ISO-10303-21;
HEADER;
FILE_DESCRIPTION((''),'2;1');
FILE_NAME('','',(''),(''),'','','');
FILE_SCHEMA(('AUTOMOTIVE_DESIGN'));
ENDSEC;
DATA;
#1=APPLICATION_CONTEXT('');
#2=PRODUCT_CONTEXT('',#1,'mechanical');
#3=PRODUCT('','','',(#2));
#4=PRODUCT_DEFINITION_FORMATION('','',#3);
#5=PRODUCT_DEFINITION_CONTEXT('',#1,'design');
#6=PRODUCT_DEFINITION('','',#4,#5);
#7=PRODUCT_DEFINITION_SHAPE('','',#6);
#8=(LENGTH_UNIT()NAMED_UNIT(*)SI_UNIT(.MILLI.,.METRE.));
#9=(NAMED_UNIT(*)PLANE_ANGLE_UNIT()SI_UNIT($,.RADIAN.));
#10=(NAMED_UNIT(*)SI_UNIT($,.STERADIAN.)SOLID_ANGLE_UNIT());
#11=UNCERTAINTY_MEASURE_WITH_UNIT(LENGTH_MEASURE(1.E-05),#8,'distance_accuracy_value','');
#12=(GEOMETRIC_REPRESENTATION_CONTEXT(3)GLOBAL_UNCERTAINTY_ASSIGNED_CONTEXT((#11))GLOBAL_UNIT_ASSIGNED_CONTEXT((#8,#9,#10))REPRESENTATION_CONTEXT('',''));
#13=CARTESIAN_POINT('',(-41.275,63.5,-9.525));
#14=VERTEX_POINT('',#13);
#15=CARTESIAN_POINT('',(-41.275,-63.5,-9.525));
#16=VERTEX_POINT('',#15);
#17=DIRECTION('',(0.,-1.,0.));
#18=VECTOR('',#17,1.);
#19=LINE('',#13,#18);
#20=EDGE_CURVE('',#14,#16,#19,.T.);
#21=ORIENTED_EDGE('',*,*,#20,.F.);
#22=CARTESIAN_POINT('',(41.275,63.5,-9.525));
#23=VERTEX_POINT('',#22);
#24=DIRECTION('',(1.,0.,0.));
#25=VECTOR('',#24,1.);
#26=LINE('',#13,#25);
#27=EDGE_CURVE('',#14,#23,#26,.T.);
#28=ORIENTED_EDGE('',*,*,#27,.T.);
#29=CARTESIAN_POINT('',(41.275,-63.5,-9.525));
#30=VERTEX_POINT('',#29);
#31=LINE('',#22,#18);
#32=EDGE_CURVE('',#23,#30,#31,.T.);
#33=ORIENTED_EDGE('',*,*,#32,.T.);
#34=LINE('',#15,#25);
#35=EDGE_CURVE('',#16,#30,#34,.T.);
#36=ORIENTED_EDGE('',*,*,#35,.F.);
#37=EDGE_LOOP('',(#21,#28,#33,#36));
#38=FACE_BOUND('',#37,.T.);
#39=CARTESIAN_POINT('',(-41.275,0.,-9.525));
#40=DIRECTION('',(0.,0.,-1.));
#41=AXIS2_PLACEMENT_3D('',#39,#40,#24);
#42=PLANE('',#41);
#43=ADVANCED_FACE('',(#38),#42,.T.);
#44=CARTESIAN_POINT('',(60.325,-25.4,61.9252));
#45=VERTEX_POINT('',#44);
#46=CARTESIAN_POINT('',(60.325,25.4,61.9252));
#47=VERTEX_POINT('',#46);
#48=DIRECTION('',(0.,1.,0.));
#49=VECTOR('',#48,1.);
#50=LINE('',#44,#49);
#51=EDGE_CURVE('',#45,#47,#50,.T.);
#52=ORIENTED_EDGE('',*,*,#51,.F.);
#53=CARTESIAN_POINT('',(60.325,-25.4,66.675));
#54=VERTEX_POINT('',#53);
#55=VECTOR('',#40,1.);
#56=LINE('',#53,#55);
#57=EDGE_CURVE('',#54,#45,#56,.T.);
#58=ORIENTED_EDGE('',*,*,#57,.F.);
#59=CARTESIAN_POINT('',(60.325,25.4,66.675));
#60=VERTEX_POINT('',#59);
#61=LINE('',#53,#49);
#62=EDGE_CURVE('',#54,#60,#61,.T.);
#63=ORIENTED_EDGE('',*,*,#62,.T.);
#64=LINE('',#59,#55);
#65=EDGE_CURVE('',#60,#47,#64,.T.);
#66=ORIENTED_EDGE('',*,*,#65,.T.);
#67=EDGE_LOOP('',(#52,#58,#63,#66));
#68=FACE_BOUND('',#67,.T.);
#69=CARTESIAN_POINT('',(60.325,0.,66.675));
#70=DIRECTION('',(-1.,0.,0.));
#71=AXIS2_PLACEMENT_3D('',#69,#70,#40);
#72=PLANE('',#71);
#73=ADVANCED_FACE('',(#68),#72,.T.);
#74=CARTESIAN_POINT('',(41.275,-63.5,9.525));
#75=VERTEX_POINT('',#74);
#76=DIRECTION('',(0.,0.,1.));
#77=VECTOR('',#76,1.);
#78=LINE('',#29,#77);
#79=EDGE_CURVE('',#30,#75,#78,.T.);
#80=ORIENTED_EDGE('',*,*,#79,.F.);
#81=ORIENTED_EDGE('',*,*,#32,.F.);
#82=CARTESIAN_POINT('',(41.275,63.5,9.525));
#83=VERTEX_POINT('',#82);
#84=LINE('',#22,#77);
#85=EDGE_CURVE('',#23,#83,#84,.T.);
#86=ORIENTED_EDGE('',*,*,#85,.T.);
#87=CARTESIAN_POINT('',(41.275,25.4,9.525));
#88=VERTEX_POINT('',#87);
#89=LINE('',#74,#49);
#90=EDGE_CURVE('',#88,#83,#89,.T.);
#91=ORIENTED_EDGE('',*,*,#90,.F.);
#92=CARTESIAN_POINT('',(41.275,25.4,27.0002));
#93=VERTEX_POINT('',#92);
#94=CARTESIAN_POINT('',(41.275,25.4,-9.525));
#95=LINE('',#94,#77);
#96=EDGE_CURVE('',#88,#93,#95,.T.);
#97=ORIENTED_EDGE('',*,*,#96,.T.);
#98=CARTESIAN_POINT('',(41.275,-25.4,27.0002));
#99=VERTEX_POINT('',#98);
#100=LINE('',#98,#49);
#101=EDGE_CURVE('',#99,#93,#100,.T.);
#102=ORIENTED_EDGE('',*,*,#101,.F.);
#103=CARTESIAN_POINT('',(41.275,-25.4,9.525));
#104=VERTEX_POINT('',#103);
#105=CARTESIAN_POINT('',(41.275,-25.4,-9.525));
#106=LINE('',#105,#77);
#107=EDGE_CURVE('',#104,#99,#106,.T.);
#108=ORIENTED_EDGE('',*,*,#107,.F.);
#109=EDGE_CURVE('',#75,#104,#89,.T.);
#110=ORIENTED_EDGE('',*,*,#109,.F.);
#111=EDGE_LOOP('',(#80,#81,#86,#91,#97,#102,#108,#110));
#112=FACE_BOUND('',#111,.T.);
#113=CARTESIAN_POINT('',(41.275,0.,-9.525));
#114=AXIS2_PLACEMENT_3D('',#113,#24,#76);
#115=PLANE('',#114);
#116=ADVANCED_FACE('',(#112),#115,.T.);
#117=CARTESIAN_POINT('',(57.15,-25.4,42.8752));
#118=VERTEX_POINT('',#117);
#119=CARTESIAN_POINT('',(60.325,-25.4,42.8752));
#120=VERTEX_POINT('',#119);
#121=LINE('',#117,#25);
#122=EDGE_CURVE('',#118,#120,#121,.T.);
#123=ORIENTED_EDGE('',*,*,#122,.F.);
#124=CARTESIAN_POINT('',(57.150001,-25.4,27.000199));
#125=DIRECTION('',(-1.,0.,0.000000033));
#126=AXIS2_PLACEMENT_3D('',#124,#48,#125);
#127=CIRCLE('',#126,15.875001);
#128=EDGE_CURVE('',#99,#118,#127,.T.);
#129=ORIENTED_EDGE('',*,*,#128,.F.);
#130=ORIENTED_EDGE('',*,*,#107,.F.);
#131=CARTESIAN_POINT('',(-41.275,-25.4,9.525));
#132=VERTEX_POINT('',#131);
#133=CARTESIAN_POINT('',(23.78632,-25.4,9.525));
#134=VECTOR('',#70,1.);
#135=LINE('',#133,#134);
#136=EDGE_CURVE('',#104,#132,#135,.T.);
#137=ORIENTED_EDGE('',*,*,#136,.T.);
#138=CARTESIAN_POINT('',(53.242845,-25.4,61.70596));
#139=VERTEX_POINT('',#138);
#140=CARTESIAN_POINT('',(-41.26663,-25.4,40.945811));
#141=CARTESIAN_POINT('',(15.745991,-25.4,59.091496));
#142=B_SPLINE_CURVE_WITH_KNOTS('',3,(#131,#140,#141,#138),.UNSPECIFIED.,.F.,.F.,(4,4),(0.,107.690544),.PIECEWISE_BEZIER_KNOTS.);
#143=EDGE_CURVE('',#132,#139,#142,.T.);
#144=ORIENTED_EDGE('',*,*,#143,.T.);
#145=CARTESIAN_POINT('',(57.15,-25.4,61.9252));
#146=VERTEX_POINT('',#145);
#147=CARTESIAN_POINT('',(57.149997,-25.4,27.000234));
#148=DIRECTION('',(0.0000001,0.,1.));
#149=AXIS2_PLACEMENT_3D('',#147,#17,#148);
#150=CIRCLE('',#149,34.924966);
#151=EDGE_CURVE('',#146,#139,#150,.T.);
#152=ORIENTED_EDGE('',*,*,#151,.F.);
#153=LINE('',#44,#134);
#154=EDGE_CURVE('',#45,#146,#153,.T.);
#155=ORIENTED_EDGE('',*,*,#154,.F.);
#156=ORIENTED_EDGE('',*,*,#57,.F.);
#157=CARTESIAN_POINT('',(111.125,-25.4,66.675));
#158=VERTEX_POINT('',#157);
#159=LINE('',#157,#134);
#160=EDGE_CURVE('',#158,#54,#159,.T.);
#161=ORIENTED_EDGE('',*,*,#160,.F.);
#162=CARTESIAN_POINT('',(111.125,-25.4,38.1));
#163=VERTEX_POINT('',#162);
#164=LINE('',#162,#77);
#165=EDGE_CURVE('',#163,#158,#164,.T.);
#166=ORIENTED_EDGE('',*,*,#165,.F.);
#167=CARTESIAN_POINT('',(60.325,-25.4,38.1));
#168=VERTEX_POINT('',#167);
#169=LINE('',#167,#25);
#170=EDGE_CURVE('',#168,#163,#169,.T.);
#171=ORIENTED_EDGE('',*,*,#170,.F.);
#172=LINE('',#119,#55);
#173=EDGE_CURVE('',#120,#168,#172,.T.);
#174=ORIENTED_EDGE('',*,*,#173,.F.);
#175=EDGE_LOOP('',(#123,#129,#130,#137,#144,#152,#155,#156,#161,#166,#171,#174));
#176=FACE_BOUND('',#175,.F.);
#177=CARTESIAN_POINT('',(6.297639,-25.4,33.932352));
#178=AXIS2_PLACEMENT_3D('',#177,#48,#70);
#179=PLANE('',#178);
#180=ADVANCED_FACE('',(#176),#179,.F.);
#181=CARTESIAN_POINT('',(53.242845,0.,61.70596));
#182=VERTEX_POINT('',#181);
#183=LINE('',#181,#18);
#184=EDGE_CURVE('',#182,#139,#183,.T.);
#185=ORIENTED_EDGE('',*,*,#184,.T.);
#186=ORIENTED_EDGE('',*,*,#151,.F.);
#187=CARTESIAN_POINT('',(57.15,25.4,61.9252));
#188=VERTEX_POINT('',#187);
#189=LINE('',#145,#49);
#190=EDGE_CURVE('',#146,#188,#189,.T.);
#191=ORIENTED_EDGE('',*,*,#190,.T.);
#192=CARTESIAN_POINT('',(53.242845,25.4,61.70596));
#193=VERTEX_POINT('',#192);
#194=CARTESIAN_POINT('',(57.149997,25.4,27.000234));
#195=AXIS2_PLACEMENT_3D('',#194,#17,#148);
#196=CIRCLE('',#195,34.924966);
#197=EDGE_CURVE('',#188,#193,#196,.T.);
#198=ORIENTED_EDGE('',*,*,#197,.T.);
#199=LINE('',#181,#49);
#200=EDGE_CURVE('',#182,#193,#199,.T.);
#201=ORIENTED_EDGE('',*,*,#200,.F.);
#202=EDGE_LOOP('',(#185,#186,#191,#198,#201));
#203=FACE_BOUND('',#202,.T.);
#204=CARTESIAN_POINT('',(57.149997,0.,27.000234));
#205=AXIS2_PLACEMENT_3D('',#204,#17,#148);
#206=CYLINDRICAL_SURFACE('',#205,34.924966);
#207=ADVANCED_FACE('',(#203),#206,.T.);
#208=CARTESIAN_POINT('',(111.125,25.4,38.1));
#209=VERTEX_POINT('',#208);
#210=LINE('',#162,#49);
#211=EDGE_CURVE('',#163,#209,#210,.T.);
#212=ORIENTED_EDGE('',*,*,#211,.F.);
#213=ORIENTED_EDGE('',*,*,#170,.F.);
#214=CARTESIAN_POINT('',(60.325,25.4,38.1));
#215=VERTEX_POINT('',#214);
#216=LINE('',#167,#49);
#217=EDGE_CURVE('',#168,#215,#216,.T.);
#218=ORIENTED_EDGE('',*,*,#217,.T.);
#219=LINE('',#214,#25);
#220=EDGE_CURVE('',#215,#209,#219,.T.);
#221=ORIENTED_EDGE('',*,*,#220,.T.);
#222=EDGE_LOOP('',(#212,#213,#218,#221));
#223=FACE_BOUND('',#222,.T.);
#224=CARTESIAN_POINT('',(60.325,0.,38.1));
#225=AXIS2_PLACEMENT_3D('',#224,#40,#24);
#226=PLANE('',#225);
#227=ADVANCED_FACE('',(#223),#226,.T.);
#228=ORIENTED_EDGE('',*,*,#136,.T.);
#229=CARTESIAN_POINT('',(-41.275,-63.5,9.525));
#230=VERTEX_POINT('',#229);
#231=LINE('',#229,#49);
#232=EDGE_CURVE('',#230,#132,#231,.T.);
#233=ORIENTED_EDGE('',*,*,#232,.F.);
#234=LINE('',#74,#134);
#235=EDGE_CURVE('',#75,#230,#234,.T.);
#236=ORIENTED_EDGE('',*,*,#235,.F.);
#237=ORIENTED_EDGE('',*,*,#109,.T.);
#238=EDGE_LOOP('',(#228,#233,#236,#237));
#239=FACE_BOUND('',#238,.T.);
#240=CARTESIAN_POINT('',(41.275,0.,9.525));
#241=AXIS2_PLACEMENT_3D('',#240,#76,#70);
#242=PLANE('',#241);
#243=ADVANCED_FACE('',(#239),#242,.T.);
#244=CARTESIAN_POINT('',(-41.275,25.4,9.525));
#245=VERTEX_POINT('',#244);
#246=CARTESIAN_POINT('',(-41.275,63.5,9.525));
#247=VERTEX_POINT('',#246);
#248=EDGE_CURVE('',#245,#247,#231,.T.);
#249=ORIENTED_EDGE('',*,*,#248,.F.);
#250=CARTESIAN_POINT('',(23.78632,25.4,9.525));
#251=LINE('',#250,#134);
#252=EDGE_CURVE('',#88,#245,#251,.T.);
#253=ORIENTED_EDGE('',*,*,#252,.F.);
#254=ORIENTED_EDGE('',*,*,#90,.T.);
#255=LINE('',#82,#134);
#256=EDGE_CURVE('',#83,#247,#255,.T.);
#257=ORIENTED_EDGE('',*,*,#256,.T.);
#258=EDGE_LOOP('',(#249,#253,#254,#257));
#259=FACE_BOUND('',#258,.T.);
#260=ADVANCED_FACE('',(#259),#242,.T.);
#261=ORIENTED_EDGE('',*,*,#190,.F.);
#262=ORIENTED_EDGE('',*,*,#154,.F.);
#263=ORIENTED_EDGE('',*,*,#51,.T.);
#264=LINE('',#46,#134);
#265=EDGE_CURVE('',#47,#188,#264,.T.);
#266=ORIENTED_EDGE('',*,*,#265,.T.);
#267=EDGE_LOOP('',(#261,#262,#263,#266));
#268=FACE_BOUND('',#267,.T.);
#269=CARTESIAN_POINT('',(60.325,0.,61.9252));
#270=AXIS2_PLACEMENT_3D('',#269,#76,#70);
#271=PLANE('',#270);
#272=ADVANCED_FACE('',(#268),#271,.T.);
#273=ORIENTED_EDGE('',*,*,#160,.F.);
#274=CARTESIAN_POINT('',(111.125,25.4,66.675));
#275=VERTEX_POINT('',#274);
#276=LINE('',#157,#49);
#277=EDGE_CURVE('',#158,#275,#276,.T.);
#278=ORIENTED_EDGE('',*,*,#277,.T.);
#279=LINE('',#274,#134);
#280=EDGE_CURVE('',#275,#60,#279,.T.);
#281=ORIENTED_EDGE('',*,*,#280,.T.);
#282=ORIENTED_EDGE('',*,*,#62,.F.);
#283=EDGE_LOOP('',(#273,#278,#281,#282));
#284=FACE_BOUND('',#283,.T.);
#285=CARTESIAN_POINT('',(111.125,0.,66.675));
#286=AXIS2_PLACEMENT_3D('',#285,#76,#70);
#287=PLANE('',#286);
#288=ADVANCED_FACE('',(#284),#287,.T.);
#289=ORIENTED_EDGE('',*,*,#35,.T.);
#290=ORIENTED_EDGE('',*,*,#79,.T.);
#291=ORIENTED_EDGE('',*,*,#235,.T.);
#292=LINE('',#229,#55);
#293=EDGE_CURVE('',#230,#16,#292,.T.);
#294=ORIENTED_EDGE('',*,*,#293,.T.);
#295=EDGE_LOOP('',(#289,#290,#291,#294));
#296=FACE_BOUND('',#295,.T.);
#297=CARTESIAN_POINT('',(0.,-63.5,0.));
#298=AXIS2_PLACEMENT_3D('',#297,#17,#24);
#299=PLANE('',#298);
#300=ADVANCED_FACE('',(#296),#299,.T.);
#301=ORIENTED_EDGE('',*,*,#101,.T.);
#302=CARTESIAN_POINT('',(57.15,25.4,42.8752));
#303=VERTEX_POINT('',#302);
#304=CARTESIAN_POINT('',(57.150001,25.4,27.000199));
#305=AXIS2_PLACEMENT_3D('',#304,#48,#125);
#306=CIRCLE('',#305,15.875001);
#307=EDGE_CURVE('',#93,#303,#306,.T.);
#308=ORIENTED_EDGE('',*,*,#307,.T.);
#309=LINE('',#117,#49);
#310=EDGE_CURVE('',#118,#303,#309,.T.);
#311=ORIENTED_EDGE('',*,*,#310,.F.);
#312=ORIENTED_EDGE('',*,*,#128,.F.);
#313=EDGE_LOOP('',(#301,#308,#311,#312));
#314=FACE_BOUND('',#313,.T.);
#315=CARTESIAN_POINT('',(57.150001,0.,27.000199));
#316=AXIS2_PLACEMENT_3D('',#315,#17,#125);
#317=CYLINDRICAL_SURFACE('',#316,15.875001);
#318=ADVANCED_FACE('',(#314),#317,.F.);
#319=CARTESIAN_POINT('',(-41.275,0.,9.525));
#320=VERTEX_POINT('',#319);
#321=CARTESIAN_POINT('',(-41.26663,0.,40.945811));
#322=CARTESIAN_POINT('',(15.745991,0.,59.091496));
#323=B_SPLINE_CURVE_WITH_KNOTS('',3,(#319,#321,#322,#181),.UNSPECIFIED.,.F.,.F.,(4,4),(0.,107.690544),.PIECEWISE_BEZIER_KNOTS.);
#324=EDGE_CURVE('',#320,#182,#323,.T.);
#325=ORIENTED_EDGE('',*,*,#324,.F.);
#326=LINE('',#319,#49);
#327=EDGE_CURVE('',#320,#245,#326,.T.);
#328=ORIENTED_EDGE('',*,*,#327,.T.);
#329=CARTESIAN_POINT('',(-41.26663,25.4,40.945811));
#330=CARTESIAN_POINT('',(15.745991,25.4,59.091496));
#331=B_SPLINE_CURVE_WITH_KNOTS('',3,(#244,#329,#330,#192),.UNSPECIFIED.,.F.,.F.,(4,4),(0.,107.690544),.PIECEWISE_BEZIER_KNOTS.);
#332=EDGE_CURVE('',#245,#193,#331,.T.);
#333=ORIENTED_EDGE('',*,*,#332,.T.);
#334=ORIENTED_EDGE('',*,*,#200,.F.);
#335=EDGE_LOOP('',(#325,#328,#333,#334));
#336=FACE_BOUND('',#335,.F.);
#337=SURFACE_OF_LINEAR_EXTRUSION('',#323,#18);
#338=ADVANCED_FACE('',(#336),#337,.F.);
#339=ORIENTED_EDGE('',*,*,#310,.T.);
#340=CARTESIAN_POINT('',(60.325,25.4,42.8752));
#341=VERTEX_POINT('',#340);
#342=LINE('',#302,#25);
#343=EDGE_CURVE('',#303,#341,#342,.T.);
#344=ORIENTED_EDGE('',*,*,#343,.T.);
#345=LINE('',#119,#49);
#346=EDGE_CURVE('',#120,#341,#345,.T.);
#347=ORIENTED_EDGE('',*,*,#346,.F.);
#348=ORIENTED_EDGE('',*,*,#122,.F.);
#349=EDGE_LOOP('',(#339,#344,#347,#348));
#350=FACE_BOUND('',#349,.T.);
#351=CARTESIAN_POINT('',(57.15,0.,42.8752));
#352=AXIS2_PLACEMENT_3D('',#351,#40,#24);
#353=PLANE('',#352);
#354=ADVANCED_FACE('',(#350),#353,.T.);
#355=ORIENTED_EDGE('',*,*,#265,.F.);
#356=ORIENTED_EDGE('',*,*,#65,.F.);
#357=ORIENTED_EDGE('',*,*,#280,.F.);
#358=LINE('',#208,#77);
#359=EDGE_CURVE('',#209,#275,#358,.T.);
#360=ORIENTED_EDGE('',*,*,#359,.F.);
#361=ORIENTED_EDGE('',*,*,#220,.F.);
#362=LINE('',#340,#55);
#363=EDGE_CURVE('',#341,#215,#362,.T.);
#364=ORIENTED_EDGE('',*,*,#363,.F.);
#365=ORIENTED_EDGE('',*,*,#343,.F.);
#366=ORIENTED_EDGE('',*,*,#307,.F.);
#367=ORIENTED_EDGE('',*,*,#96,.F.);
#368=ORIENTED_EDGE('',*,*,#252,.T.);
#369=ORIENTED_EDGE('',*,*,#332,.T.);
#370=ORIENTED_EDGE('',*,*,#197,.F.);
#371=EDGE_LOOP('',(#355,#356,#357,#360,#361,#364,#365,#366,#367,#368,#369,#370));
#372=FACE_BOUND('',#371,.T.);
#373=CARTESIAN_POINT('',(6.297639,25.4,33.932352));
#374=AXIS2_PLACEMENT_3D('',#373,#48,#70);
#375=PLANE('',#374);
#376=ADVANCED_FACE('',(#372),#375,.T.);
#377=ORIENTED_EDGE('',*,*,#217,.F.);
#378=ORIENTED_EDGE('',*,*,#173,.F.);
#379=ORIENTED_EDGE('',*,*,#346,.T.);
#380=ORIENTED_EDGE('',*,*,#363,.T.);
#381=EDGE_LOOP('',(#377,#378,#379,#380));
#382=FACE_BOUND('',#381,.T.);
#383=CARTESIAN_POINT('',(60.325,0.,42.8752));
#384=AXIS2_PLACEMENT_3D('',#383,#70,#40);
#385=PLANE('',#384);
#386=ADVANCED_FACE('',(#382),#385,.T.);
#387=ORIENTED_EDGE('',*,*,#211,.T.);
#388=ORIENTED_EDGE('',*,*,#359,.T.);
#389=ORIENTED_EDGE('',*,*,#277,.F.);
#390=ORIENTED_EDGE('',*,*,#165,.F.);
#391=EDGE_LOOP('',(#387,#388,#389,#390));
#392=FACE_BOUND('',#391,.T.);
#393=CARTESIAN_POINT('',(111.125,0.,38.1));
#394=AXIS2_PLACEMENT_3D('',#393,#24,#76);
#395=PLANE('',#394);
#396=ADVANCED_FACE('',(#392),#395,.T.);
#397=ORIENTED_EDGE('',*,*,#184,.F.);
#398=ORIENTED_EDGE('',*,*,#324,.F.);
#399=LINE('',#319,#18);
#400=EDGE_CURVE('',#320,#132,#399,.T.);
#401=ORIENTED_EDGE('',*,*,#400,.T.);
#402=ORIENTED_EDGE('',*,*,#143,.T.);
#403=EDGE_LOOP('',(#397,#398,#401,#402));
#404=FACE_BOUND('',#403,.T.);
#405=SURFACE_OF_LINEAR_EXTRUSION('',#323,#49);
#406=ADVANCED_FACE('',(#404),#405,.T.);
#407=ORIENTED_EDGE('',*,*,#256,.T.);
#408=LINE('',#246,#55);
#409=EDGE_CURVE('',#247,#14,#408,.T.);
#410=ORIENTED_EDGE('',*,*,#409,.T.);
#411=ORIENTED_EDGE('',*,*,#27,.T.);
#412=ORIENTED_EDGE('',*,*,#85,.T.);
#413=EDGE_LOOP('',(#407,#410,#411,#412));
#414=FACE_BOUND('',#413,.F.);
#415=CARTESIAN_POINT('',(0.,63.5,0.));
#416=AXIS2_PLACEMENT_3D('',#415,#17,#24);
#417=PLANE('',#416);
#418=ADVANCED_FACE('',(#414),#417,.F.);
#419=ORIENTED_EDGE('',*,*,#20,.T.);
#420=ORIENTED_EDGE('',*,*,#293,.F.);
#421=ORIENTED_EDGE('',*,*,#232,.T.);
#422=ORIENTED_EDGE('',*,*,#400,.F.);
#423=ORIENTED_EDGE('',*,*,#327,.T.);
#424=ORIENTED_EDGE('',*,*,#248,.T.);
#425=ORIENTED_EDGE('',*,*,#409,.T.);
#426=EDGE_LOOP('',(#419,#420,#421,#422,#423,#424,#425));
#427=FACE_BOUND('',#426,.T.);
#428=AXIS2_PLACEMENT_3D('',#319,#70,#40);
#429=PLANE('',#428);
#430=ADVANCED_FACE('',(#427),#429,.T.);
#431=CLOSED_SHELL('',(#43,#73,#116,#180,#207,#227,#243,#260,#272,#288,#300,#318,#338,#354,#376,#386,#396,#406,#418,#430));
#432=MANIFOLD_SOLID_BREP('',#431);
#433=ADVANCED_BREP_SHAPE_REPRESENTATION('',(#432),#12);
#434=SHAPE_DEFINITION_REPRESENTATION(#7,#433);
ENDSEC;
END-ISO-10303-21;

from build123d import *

# Parameters (mm, degrees)
F1_DEPTH = 63.5
F2_DEPTH = 25.4


with BuildPart() as f1:
    # F0 (on Front) → F1 (new body, symmetric)
    with BuildSketch(Plane.XZ):
        Polygon((22.225, 9.525), (-41.275, 9.525), (-41.275, -9.525), (41.275, -9.525), (41.275, 9.525), align=None)
    extrude(amount=F1_DEPTH, both=True)

    # F0 (on Front) → F2 (join, symmetric)
    with BuildSketch(Plane.XZ):
        with BuildLine():
            add(Edge.make_bspline(
                [(-41.275, 9.525), (-41.26663, 40.945811), (15.745991, 59.091496), (53.242845, 61.70596)],
                knots=[0, 0, 0, 0, 107.690544, 107.690544, 107.690544, 107.690544], degree=3))
            Line((-41.275, 9.525), (22.225, 9.525))
            Line((22.225, 9.525), (22.225, 27.0002))
            ThreePointArc((22.225, 27.0002), (31.109522, 50.273556), (53.242845, 61.70596))
        make_face()
        Polygon((22.225, 9.525), (-41.275, 9.525), (-41.275, -9.525), (41.275, -9.525), (41.275, 9.525), align=None)
        with BuildLine():
            Line((22.225, 27.0002), (22.225, 9.525))
            Line((22.225, 9.525), (41.275, 9.525))
            Line((41.275, 9.525), (41.275, 27.0002))
            ThreePointArc((41.275, 27.0002), (45.92468, 38.22552), (57.15, 42.8752))
            Line((57.15, 42.8752), (60.325, 42.8752))
            Line((60.325, 42.8752), (60.325, 61.9252))
            Line((60.325, 61.9252), (57.15, 61.9252))
            add(Edge.make_bspline(
                [(53.242845, 61.70596), (54.570842, 61.798554), (55.87436, 61.871668), (57.15, 61.9252)],
                knots=[107.690544, 107.690544, 107.690544, 107.690544, 111.504536, 111.504536, 111.504536, 111.504536], degree=3))
            ThreePointArc((53.242845, 61.70596), (31.109522, 50.273556), (22.225, 27.0002))
        make_face()
        with BuildLine():
            ThreePointArc((57.15, 61.9252), (55.193349, 61.870347), (53.242845, 61.70596))
            add(Edge.make_bspline(
                [(53.242845, 61.70596), (54.570842, 61.798554), (55.87436, 61.871668), (57.15, 61.9252)],
                knots=[107.690544, 107.690544, 107.690544, 107.690544, 111.504536, 111.504536, 111.504536, 111.504536], degree=3))
        make_face()
        Polygon((60.325, 66.675), (60.325, 61.9252), (60.325, 42.8752), (60.325, 38.1), (111.125, 38.1), (111.125, 66.675), align=None)
    extrude(amount=F2_DEPTH, both=True)


solid = f1.part
